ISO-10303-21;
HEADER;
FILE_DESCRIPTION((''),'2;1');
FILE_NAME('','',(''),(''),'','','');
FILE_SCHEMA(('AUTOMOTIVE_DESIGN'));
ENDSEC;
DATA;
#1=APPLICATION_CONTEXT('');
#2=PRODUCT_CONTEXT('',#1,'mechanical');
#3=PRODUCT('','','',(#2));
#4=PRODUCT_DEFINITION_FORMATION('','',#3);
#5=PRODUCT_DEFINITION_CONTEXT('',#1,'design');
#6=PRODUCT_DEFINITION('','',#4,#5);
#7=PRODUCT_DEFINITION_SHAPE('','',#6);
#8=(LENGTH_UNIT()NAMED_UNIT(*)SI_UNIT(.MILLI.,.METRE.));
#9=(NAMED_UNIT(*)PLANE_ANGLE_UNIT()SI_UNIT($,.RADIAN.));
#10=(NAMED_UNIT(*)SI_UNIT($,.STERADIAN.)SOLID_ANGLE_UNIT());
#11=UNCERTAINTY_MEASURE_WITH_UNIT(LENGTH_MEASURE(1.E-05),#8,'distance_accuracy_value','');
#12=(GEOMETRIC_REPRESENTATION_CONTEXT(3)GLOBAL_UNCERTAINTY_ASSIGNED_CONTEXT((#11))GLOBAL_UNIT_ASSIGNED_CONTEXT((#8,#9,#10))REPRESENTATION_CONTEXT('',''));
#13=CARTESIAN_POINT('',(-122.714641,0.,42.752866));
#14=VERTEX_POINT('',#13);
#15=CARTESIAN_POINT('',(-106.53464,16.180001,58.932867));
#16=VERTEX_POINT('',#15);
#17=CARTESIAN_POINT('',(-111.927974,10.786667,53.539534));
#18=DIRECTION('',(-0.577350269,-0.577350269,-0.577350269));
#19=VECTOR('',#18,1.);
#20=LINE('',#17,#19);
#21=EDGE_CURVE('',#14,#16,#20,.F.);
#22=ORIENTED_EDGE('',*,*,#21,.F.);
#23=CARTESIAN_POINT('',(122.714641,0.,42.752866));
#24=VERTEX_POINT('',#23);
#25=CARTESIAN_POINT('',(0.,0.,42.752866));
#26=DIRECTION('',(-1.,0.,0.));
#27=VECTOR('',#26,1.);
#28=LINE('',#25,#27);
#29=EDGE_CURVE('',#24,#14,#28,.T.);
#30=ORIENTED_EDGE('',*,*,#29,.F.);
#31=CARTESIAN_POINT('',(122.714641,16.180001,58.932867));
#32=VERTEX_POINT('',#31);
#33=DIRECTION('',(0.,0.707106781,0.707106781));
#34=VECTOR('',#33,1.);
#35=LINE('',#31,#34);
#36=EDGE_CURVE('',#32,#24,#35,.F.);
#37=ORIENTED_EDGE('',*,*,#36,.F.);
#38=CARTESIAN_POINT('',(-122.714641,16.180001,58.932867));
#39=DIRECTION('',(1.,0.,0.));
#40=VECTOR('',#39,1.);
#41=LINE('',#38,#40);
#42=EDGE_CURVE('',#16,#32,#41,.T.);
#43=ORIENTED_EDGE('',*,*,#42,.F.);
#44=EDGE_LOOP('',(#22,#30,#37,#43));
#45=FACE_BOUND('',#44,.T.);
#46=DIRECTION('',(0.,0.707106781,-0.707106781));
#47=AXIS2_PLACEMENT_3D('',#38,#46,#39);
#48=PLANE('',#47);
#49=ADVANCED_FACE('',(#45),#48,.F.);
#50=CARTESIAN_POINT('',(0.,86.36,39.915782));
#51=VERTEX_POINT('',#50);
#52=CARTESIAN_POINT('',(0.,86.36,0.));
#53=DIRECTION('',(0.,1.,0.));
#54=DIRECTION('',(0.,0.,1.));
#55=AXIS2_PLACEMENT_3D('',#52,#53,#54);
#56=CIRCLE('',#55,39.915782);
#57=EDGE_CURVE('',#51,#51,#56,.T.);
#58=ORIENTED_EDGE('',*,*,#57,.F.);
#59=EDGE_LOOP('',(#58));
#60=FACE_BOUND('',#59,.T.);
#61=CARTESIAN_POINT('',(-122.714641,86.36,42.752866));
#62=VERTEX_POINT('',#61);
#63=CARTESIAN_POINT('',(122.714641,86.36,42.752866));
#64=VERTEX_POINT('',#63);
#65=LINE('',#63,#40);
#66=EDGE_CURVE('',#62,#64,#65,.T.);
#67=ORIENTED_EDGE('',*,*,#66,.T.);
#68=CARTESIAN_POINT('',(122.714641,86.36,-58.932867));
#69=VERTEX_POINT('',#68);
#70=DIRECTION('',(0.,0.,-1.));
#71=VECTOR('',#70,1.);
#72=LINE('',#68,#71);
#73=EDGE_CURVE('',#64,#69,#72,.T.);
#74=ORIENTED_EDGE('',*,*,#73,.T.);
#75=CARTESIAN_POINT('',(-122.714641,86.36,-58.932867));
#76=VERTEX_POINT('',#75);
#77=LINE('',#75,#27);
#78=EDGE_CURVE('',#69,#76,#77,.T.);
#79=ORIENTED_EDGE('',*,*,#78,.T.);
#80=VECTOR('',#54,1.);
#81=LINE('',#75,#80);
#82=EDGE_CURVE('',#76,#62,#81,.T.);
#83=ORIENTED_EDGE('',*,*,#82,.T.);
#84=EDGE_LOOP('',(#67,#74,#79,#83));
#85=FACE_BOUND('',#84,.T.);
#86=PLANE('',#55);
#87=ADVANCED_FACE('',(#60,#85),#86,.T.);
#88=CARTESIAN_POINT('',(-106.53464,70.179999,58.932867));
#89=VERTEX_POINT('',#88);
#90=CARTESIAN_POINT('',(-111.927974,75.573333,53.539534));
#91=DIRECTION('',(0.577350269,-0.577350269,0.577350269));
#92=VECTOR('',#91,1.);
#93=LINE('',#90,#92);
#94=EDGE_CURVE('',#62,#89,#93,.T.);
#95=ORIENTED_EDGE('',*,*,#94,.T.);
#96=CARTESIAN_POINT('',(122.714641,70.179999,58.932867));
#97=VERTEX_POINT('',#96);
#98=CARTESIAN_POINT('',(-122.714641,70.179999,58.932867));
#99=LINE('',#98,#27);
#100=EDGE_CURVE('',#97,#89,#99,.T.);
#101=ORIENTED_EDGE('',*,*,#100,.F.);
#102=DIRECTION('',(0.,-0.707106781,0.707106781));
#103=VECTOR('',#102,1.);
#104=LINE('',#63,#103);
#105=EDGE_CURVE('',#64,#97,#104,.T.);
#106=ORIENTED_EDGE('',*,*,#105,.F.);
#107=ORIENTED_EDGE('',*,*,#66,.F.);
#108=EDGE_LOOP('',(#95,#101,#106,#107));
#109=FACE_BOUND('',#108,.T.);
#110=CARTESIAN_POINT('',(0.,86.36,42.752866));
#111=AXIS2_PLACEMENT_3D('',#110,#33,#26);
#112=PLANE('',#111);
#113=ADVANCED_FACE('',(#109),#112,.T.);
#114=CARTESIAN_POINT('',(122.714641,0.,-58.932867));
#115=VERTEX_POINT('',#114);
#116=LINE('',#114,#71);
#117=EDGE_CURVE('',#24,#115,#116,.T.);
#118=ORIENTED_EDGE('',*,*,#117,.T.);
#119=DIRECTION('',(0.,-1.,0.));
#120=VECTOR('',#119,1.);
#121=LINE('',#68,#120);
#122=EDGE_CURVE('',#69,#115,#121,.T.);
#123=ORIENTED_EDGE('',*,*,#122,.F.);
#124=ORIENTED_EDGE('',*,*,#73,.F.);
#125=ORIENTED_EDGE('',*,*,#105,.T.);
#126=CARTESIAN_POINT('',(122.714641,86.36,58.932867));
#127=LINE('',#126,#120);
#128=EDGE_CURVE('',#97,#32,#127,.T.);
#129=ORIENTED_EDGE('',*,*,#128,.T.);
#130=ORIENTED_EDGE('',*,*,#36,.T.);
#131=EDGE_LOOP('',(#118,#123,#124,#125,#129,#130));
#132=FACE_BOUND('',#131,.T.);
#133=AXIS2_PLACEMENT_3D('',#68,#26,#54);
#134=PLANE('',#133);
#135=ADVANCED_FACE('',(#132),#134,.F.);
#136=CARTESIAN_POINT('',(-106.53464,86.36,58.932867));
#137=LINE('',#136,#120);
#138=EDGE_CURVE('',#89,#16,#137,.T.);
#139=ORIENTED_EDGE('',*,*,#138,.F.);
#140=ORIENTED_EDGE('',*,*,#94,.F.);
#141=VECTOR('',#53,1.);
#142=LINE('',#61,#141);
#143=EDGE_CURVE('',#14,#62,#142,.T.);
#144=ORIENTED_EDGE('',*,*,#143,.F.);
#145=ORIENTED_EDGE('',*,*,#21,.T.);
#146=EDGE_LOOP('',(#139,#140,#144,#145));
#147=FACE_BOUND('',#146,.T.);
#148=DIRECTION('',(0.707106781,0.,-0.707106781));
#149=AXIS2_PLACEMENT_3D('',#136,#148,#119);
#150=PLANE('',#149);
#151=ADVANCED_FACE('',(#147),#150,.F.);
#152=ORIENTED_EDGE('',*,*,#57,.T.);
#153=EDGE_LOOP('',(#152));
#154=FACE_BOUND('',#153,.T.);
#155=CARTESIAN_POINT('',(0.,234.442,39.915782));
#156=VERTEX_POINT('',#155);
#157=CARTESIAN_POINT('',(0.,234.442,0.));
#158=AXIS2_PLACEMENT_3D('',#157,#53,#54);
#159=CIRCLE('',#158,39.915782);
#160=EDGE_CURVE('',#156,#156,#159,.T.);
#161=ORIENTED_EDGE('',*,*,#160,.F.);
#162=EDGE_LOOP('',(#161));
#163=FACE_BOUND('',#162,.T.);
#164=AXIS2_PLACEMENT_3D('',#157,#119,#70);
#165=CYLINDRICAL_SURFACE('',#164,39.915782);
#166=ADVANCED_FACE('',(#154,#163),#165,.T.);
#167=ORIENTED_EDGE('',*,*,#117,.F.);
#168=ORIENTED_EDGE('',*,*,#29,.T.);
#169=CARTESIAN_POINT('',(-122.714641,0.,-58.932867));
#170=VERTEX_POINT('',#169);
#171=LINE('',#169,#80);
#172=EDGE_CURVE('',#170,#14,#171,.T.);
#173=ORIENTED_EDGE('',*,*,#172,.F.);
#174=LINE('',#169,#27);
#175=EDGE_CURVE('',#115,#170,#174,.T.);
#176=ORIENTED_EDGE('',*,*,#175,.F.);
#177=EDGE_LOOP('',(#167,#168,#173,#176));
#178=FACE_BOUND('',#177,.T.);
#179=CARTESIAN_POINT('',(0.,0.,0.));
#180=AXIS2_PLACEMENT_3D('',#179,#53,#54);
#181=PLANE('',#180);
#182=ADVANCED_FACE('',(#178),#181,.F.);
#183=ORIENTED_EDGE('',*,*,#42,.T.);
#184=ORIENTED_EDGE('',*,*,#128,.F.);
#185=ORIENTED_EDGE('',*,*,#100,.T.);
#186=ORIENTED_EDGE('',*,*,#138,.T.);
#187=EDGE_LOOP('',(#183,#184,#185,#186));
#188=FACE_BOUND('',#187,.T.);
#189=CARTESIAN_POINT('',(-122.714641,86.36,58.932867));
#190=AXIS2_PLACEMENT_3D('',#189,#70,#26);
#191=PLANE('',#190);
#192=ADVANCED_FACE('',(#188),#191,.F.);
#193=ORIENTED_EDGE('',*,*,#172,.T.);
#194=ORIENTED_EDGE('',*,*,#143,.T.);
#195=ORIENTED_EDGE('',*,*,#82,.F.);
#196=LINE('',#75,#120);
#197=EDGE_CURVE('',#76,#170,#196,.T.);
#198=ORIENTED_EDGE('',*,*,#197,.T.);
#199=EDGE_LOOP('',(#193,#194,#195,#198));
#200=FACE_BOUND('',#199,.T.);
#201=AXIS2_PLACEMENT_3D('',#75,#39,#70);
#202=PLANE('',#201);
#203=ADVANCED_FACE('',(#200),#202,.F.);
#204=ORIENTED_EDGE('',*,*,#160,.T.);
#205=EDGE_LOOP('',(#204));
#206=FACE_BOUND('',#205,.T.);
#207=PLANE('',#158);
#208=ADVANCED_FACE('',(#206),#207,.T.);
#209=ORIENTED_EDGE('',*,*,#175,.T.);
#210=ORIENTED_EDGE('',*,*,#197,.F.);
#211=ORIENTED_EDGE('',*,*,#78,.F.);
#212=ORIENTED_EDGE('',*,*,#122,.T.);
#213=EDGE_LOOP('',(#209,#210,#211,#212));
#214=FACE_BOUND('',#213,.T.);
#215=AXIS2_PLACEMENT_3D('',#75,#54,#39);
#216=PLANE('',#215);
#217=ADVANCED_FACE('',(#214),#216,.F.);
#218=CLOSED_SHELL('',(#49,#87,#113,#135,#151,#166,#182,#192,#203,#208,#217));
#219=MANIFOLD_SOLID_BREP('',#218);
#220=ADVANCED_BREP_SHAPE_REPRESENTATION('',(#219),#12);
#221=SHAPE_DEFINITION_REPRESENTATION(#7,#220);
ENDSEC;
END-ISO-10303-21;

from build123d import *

# Parameters (mm, degrees)
SKETCH1_W           = 245.429281818
SKETCH1_H           = 117.865734126
BOSS_EXTRUDE1_DEPTH = 86.36
CHAMFER1_SIZE       = 16.18000066
SKETCH2_R           = 39.915781682
BOSS_EXTRUDE2_DEPTH = 148.082


with BuildPart() as part:
    # Sketch1 → Boss-Extrude1 (new body)
    with BuildSketch(Plane(origin=(0, 0, 0), x_dir=(1, 0, 0), z_dir=(0, 1, 0))):
        Rectangle(SKETCH1_W, SKETCH1_H)
    extrude(amount=BOSS_EXTRUDE1_DEPTH)

    # Chamfer1
    chamfer1_edges = [part.edges().sort_by_distance(p)[0] for p in [
        (0, 86.36, 58.932867063),
        (0, 0, 58.932867063),
        (-122.714640909, 43.18, 58.932867063),
    ]]
    chamfer(chamfer1_edges, length=CHAMFER1_SIZE)

    # Sketch2 → Boss-Extrude2 (add)
    with BuildSketch(Plane(origin=(0, 86.36, 0), x_dir=(1, 0, 0), z_dir=(0, 1, 0))):
        with Locations(Location((0, 0, 0), (0, 0, 270))):
            Circle(SKETCH2_R)
    extrude(amount=BOSS_EXTRUDE2_DEPTH)


solid = part.part
